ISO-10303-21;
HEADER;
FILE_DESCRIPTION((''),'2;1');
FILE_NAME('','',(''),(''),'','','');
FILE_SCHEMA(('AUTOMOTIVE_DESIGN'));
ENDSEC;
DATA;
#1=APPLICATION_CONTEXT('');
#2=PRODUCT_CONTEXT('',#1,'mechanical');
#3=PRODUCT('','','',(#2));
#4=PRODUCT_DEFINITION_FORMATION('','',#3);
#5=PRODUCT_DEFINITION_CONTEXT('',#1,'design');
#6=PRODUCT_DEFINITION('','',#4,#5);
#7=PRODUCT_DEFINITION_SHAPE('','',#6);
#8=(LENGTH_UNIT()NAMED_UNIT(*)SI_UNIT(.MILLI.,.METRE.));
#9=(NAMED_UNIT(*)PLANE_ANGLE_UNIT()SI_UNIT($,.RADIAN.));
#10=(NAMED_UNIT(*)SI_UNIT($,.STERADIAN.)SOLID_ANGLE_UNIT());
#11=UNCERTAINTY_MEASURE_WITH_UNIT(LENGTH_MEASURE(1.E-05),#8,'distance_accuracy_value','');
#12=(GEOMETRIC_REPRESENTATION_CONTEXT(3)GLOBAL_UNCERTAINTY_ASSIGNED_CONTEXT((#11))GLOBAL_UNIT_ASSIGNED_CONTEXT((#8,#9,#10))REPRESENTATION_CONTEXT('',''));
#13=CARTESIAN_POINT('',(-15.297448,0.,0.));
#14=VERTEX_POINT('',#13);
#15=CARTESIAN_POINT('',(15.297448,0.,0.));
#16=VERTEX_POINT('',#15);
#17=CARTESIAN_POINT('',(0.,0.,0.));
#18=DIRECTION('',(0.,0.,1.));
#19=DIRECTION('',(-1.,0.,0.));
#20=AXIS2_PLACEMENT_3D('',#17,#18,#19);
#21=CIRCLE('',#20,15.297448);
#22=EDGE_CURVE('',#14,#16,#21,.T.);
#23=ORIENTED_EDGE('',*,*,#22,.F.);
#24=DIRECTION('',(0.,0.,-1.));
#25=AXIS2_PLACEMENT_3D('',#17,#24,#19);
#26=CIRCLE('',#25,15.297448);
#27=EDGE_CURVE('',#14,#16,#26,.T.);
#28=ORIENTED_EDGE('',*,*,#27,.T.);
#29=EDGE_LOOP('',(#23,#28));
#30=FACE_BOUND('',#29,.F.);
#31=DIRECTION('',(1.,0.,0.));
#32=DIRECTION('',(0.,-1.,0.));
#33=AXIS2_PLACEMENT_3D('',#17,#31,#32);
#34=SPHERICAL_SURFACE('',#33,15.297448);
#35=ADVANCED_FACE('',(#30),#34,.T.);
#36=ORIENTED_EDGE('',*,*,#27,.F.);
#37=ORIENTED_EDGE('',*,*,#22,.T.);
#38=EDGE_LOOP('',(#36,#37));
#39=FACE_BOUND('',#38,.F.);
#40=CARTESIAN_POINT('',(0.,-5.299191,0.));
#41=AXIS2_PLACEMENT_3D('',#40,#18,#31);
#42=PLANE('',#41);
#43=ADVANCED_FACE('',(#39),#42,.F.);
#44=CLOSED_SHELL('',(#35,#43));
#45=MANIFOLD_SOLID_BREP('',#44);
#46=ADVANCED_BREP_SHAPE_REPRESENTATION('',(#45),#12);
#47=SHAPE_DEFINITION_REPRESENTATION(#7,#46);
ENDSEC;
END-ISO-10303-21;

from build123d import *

# Parameters (mm, degrees)
F1_ANGLE = -180


with BuildPart() as f1:
    # F0 (on Top) → F1 (revolve)
    with BuildSketch(Plane.XY):
        with BuildLine():
            Line((15.297448, 0), (-15.297448, 0))
            ThreePointArc((-15.297448, 0), (0, -15.297448), (15.297448, 0))
        make_face()
    revolve(axis=Axis((0, 0, 0), (1, 0, 0)), revolution_arc=F1_ANGLE)


solid = f1.part
